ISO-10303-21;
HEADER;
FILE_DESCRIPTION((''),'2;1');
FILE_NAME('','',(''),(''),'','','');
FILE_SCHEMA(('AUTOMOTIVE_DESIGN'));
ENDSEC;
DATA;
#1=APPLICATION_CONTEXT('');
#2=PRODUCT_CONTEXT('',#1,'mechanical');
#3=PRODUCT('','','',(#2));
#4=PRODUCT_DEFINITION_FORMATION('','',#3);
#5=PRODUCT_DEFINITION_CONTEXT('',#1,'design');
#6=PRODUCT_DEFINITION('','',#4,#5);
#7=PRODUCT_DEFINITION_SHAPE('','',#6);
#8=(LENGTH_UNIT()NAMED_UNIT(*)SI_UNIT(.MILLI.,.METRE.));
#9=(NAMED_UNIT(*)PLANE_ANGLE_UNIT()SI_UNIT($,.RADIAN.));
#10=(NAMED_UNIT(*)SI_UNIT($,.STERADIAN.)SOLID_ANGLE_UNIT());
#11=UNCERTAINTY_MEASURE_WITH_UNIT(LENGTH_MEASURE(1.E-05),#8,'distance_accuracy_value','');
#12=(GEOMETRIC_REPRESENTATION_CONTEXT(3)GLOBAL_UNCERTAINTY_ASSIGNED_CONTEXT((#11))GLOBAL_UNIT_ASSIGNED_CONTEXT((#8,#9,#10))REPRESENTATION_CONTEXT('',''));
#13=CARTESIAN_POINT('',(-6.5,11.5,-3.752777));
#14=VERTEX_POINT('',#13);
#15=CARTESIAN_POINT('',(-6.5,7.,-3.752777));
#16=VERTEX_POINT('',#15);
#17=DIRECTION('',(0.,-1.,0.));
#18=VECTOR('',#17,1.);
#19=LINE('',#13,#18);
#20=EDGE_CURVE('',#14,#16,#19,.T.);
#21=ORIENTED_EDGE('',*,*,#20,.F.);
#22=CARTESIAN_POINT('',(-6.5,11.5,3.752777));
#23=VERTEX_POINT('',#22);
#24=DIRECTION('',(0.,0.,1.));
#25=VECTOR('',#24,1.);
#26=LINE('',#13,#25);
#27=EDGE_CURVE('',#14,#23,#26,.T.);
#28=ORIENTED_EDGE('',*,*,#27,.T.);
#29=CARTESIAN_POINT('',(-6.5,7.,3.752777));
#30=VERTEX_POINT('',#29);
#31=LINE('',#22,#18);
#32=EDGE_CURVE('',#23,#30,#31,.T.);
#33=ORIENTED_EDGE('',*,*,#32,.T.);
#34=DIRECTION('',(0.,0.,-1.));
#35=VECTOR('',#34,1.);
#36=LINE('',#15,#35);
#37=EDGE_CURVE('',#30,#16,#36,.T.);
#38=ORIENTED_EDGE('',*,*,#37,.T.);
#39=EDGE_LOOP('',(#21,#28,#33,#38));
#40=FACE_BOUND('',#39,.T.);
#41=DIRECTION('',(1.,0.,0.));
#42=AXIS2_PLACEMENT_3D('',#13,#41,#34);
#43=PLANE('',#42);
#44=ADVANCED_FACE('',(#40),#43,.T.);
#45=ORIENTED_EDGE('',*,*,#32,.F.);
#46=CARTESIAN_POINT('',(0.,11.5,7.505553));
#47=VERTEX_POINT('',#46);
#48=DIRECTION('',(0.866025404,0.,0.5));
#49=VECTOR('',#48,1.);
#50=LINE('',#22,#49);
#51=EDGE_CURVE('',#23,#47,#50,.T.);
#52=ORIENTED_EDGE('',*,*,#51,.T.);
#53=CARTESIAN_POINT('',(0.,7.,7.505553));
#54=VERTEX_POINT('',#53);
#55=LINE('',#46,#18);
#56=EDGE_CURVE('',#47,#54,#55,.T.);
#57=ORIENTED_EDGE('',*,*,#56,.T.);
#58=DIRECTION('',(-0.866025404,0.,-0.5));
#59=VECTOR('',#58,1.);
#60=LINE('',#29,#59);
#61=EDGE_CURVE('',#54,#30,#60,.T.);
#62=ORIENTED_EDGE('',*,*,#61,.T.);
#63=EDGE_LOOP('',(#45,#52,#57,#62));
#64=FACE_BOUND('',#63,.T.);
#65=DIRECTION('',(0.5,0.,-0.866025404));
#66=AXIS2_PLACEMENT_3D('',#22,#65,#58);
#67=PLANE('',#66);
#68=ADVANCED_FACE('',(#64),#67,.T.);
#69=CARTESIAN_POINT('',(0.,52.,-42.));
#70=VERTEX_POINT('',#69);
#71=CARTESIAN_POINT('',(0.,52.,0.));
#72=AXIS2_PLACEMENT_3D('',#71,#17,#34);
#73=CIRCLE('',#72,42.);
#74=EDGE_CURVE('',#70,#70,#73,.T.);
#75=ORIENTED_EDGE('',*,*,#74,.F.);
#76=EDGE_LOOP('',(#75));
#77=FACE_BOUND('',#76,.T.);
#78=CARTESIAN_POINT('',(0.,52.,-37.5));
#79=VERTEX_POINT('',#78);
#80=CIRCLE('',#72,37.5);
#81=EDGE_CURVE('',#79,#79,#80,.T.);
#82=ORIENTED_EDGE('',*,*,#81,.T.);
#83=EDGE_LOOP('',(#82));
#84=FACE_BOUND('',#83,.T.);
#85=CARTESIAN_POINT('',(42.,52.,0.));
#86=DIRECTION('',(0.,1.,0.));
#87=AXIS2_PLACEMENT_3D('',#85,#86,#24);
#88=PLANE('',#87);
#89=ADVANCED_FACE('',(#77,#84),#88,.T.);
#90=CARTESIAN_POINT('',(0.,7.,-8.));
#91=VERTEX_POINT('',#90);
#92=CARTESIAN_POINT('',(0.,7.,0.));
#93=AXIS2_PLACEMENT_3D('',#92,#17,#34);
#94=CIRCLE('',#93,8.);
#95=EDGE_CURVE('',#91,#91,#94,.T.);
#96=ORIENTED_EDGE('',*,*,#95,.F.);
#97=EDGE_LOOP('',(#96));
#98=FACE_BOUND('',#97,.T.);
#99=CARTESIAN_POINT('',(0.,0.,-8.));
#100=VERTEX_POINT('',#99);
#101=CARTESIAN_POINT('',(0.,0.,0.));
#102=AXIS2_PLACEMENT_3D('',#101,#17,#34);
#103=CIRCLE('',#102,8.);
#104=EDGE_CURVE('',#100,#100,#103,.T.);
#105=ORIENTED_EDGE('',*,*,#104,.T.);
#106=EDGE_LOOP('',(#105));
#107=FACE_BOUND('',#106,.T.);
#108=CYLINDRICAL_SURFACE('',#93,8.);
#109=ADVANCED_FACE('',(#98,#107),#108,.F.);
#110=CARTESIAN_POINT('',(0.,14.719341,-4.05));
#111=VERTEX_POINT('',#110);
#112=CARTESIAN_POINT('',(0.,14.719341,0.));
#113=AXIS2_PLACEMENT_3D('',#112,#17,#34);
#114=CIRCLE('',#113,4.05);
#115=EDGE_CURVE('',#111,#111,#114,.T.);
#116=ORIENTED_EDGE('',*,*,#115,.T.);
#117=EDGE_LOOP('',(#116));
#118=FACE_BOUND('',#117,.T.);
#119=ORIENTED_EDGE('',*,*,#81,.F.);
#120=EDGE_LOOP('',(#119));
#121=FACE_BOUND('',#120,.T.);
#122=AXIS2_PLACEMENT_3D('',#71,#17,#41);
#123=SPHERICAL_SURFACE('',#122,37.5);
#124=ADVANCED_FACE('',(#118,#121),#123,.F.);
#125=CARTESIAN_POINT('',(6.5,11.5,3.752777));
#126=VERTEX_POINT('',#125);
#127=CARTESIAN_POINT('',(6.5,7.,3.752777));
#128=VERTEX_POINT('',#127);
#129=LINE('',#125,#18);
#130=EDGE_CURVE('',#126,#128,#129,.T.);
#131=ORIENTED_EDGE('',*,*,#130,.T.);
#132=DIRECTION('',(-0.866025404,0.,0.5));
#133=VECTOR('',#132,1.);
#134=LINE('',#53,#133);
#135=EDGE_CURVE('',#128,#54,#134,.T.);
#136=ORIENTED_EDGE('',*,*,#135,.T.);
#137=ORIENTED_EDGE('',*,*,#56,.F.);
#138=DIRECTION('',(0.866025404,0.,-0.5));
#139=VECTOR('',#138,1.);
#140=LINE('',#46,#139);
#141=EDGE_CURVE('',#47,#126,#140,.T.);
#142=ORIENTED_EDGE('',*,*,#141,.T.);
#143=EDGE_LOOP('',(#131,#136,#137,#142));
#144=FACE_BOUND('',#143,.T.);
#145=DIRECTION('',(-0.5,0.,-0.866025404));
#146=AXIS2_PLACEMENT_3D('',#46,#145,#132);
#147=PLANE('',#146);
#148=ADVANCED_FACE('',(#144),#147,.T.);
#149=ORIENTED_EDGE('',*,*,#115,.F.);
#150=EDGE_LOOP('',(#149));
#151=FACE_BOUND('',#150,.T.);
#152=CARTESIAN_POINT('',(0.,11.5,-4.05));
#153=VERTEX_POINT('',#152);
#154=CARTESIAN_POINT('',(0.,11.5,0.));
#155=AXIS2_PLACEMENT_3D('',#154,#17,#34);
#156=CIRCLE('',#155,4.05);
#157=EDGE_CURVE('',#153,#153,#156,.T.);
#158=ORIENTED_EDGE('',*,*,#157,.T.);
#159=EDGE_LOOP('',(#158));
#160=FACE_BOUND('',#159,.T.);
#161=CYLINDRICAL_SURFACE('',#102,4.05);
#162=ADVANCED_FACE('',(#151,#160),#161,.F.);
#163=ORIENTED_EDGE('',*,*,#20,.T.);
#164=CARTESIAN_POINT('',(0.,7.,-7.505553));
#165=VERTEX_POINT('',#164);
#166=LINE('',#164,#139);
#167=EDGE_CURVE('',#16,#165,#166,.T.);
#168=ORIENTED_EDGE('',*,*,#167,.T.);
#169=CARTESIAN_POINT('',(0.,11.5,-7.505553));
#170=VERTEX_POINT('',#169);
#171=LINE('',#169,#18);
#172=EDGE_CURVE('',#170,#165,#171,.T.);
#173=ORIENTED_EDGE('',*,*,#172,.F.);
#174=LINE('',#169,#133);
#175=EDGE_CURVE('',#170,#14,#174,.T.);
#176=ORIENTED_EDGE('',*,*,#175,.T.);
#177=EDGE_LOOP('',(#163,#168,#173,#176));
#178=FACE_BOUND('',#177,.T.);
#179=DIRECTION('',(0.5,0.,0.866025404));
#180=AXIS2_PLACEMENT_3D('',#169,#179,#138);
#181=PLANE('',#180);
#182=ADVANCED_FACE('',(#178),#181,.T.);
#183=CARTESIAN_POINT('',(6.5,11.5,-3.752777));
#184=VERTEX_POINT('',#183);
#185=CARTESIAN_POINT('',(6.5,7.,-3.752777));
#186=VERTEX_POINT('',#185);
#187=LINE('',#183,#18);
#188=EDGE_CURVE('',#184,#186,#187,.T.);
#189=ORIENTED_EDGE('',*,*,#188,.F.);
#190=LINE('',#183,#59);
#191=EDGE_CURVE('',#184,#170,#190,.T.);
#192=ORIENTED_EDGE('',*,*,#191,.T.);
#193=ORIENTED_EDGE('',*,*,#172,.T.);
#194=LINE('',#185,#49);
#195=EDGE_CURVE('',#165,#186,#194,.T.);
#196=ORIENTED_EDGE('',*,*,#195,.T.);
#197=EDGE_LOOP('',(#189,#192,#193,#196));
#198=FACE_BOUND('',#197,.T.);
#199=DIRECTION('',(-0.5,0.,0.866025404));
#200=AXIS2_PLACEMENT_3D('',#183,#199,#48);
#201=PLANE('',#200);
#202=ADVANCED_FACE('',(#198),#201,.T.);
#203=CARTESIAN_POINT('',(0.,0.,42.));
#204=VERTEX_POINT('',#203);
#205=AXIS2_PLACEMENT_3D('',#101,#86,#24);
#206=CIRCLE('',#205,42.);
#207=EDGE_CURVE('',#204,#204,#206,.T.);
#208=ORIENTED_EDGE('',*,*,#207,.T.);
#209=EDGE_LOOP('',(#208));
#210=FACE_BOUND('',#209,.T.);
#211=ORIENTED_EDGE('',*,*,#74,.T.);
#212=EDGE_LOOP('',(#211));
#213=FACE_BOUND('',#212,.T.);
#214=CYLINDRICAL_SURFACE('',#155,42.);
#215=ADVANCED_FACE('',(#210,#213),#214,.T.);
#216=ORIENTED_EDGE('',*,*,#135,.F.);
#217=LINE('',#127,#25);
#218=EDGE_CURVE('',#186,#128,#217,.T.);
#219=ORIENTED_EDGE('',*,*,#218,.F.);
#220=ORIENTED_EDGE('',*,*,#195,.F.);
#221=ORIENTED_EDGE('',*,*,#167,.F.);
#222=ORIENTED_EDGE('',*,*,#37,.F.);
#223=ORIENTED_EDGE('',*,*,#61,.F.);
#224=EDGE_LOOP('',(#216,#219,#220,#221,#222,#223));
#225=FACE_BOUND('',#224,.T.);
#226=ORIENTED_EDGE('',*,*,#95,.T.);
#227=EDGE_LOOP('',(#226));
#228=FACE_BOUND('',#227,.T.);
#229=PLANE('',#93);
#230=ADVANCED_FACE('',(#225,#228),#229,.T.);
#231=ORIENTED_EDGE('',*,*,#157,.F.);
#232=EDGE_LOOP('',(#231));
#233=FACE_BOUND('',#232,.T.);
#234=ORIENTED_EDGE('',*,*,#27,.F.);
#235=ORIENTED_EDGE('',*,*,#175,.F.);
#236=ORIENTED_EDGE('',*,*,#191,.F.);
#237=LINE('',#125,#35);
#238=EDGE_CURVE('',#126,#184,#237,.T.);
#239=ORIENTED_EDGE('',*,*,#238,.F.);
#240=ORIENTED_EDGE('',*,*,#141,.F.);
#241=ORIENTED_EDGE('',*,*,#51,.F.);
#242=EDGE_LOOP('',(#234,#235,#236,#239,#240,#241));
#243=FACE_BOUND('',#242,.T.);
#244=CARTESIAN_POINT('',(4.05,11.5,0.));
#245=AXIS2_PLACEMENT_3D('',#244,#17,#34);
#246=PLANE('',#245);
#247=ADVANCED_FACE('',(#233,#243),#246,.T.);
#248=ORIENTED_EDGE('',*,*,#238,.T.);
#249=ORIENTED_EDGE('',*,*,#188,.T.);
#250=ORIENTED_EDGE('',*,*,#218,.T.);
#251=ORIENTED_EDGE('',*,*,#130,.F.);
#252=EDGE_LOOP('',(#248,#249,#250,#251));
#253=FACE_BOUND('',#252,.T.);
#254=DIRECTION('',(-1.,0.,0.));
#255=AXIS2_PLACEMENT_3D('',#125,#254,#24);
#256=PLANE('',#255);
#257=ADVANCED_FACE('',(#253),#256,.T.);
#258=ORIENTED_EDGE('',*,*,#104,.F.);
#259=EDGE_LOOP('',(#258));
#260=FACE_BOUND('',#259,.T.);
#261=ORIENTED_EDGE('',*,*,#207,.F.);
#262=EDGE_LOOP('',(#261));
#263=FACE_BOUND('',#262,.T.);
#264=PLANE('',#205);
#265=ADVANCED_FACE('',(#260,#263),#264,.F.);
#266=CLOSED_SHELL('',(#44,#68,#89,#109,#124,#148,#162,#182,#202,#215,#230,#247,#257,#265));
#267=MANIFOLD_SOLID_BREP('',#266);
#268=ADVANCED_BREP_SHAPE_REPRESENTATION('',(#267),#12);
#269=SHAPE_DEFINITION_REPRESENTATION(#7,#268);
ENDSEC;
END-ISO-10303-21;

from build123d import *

# Parameters (mm, degrees)
SKETCH2_R           = 42
BOSS_EXTRUDE1_DEPTH = 11.5
SKETCH3_R           = 8
CUT_EXTRUDE1_DEPTH  = 7


with BuildPart() as part:
    # Sketch2 → Boss-Extrude1 (new body)
    with BuildSketch(Plane(origin=(0, 0, 0), x_dir=(1, 0, 0), z_dir=(0, 1, 0))):
        with Locations(Location((0, 0, 0), (0, 0, 270))):
            Circle(SKETCH2_R)
        Polygon((0, 7.505553499), (-6.5, 3.75277675), (-6.5, -3.75277675), (0, -7.505553499), (6.5, -3.75277675), (6.5, 3.75277675), align=None, mode=Mode.SUBTRACT)
    extrude(amount=BOSS_EXTRUDE1_DEPTH)

    # Sketch3 → Cut-Extrude1 (cut)
    with BuildSketch(Plane.XZ):
        with Locations(Location((0, 0, 0), (0, 0, 270))):
            Circle(SKETCH3_R)
    extrude(amount=-CUT_EXTRUDE1_DEPTH, mode=Mode.SUBTRACT)

    # Sketch4 → Revolve1 (revolve)
    with BuildSketch(Plane.XY, mode=Mode.PRIVATE) as revolve1_sk:
        with BuildLine():
            Line((4.05, 14.719341476), (4.05, 11.5))
            Line((4.05, 11.5), (42, 11.5))
            Line((42, 11.5), (42, 52))
            Line((42, 52), (37.5, 52))
            ThreePointArc((37.5, 52), (27.911691099, 26.956288214), (4.05, 14.719341476))
        make_face()
    revolve(revolve1_sk.sketch.rotate(Axis((0, 0, 0), (0, 1, 0)), 90), axis=Axis((0, 0, 0), (0, 1, 0)))


solid = part.part
